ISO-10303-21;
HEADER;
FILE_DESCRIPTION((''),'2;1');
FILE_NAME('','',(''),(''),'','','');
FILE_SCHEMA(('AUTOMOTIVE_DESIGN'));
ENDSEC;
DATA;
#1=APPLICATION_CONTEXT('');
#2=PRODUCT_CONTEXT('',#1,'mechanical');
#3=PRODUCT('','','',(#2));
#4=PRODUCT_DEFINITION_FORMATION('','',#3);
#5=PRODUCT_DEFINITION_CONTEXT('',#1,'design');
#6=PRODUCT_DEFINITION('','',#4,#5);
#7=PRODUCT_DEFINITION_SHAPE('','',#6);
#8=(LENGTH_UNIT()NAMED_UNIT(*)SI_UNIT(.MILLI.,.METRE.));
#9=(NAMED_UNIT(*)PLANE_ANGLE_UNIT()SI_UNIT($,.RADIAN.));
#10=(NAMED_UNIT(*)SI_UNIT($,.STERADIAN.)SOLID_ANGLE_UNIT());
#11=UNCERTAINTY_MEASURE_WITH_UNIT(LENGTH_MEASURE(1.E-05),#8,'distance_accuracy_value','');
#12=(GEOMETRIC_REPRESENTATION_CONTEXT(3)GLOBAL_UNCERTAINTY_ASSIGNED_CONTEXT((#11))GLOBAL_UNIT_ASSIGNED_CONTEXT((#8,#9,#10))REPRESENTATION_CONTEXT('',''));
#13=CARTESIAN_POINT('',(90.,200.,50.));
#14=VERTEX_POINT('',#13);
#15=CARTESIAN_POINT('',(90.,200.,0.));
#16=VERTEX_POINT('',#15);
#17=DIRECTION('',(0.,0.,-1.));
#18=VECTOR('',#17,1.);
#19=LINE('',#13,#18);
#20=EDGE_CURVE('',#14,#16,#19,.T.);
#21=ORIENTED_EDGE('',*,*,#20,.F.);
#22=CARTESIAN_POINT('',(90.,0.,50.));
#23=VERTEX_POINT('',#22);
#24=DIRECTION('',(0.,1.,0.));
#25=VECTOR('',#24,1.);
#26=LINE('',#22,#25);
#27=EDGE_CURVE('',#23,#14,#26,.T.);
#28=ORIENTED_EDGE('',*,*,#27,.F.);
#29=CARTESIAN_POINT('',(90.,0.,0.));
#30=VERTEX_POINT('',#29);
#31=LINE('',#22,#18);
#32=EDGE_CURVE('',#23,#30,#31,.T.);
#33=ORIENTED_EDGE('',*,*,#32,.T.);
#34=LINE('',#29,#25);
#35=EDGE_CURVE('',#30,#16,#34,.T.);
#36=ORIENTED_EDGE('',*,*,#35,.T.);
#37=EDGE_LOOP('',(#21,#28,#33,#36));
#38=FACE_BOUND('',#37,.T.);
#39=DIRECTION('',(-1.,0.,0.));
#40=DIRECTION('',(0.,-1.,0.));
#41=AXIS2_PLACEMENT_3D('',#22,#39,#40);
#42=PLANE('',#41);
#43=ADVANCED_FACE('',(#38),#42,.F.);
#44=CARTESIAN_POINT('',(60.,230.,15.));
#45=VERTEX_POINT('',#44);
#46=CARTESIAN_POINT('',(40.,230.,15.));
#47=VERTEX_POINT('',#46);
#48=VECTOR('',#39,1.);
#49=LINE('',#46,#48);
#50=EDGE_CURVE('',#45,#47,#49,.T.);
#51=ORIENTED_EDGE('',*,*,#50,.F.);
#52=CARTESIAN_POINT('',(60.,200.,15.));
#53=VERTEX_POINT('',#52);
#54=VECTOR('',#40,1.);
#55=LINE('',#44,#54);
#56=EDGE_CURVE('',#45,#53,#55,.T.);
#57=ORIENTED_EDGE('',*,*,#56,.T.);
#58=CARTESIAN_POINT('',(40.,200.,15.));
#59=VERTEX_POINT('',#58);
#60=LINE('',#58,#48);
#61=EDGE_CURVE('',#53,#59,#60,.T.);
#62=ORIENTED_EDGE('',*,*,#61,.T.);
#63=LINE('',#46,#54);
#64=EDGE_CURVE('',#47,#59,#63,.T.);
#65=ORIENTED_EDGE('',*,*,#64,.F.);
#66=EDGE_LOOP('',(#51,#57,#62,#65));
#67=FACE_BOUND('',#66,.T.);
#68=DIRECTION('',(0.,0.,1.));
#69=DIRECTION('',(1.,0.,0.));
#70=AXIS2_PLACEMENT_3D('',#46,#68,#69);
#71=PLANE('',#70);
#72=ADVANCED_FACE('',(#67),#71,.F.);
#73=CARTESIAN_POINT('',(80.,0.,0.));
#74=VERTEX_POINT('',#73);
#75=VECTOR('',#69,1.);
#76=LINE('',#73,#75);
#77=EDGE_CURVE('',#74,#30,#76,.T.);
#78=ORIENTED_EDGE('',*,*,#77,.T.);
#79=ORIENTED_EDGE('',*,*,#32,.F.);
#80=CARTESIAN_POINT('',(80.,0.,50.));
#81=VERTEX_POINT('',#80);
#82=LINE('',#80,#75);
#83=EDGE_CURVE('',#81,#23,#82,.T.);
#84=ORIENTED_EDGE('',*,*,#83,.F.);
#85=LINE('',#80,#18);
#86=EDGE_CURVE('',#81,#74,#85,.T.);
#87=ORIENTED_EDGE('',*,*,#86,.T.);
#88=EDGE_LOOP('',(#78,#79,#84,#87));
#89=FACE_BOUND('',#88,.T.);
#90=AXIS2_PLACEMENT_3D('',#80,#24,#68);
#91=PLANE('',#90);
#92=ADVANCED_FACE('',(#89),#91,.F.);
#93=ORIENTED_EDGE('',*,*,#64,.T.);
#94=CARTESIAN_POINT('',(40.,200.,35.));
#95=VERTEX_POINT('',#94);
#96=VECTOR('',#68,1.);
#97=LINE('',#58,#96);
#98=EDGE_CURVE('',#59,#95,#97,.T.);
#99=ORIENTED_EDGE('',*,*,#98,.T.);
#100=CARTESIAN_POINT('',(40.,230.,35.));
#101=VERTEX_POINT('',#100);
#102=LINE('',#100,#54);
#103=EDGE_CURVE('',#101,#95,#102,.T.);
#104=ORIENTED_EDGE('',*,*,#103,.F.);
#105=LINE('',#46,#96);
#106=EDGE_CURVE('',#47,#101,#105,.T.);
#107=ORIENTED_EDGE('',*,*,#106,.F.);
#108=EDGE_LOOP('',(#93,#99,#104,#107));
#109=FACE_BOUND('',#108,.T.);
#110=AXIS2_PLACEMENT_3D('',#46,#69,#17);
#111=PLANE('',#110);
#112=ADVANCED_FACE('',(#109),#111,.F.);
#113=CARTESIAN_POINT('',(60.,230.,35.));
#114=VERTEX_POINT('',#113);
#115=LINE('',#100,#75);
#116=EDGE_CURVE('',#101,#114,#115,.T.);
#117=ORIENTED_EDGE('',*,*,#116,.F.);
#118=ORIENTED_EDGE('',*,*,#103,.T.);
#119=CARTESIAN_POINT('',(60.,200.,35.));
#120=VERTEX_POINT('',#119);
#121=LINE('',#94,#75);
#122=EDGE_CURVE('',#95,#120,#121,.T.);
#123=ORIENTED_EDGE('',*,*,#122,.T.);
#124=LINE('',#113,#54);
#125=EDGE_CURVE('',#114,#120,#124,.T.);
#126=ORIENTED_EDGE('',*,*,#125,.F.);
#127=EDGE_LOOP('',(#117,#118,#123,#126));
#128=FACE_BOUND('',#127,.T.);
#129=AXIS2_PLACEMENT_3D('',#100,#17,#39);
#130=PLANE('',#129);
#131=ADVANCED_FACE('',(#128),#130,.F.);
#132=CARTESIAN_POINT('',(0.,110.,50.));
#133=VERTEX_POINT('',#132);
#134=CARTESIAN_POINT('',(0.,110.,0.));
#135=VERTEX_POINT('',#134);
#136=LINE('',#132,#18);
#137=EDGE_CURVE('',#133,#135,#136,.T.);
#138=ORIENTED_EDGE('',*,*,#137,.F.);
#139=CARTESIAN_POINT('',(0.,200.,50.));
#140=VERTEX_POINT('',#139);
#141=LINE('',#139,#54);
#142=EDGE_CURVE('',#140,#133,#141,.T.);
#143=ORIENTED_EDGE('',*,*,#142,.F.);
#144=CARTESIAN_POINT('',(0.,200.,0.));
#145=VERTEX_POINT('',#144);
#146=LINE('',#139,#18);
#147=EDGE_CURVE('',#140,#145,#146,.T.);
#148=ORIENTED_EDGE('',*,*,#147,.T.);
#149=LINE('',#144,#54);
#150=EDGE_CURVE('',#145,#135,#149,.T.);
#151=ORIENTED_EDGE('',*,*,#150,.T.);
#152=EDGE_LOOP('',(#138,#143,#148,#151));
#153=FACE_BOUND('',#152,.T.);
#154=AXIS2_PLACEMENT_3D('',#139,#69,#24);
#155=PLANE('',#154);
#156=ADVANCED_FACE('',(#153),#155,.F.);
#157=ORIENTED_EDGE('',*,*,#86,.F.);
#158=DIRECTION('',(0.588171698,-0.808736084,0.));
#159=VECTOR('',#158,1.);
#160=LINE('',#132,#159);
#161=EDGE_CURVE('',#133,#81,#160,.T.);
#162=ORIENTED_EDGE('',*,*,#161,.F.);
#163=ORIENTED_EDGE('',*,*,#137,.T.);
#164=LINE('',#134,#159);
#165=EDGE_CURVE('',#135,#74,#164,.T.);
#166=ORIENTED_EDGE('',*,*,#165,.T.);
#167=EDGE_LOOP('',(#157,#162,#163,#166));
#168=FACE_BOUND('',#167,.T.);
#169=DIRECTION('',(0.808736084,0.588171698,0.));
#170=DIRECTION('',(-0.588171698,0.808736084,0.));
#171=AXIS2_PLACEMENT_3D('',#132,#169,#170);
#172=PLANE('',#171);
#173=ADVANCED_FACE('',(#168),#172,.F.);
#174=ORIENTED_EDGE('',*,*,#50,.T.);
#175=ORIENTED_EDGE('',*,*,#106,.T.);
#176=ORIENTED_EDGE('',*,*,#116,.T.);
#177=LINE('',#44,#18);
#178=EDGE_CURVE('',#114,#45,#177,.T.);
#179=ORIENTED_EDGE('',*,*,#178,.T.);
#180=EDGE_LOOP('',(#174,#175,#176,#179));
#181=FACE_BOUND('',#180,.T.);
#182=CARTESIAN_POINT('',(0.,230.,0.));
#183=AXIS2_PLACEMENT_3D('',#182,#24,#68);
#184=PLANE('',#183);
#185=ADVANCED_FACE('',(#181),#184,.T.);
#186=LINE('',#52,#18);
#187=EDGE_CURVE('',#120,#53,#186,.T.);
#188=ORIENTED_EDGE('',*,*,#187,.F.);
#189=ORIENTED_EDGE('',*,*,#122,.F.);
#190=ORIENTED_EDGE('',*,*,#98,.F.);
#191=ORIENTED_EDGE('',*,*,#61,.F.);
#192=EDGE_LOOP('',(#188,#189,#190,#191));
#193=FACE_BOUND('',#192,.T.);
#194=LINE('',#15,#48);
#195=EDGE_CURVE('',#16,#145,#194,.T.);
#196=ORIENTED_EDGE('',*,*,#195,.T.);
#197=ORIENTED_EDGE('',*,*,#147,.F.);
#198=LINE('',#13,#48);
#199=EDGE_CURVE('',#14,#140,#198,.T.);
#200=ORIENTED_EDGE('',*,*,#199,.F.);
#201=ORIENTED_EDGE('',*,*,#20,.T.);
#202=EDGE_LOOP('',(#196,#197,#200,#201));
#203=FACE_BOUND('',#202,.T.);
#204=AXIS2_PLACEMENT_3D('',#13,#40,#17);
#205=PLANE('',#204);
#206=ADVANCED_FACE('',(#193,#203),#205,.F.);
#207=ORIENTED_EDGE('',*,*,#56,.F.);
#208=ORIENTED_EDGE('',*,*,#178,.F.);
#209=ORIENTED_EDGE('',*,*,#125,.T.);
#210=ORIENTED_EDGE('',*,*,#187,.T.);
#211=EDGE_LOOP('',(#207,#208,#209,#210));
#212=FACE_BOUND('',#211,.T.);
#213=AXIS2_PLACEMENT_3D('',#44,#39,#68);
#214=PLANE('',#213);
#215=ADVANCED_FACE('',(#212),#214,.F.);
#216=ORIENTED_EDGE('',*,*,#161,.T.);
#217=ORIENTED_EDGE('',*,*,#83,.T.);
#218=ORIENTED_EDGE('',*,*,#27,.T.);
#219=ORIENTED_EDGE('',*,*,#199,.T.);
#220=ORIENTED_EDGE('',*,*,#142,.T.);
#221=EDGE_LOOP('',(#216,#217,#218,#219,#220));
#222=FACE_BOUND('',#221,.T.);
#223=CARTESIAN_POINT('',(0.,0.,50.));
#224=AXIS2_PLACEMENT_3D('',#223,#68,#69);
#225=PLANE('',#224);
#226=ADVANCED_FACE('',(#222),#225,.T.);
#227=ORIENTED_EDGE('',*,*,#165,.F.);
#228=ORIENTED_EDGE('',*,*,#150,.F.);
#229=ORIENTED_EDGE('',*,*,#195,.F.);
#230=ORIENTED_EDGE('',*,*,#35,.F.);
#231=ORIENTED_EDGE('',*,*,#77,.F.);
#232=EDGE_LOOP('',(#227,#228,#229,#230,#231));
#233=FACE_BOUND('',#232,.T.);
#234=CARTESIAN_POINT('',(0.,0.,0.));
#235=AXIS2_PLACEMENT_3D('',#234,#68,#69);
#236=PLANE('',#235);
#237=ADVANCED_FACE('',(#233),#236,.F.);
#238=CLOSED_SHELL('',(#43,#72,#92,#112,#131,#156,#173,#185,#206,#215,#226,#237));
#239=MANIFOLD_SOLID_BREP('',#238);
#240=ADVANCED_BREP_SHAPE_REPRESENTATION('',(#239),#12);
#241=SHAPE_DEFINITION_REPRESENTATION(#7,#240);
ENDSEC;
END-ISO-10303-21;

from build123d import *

# Parameters (mm, degrees)
SALIENTE_EXTRUIR3_DEPTH = 50
CROQUIS3_W              = 20
CROQUIS3_H              = 20
SALIENTE_EXTRUIR4_DEPTH = 30


with BuildPart() as part:
    # Croquis2 → Saliente-Extruir3 (new body)
    with BuildSketch(Plane.XY):
        Polygon((0, 200), (0, 110), (80, 0), (90, 0), (90, 200), align=None)
    extrude(amount=SALIENTE_EXTRUIR3_DEPTH)

    # Croquis3 → Saliente-Extruir4 (add)
    with BuildSketch(Plane(origin=(0, 200, 0), x_dir=(1, 0, 0), z_dir=(0, 1, 0))):
        with Locations((50, -25)):
            Rectangle(CROQUIS3_W, CROQUIS3_H)
    extrude(amount=SALIENTE_EXTRUIR4_DEPTH)


solid = part.part
